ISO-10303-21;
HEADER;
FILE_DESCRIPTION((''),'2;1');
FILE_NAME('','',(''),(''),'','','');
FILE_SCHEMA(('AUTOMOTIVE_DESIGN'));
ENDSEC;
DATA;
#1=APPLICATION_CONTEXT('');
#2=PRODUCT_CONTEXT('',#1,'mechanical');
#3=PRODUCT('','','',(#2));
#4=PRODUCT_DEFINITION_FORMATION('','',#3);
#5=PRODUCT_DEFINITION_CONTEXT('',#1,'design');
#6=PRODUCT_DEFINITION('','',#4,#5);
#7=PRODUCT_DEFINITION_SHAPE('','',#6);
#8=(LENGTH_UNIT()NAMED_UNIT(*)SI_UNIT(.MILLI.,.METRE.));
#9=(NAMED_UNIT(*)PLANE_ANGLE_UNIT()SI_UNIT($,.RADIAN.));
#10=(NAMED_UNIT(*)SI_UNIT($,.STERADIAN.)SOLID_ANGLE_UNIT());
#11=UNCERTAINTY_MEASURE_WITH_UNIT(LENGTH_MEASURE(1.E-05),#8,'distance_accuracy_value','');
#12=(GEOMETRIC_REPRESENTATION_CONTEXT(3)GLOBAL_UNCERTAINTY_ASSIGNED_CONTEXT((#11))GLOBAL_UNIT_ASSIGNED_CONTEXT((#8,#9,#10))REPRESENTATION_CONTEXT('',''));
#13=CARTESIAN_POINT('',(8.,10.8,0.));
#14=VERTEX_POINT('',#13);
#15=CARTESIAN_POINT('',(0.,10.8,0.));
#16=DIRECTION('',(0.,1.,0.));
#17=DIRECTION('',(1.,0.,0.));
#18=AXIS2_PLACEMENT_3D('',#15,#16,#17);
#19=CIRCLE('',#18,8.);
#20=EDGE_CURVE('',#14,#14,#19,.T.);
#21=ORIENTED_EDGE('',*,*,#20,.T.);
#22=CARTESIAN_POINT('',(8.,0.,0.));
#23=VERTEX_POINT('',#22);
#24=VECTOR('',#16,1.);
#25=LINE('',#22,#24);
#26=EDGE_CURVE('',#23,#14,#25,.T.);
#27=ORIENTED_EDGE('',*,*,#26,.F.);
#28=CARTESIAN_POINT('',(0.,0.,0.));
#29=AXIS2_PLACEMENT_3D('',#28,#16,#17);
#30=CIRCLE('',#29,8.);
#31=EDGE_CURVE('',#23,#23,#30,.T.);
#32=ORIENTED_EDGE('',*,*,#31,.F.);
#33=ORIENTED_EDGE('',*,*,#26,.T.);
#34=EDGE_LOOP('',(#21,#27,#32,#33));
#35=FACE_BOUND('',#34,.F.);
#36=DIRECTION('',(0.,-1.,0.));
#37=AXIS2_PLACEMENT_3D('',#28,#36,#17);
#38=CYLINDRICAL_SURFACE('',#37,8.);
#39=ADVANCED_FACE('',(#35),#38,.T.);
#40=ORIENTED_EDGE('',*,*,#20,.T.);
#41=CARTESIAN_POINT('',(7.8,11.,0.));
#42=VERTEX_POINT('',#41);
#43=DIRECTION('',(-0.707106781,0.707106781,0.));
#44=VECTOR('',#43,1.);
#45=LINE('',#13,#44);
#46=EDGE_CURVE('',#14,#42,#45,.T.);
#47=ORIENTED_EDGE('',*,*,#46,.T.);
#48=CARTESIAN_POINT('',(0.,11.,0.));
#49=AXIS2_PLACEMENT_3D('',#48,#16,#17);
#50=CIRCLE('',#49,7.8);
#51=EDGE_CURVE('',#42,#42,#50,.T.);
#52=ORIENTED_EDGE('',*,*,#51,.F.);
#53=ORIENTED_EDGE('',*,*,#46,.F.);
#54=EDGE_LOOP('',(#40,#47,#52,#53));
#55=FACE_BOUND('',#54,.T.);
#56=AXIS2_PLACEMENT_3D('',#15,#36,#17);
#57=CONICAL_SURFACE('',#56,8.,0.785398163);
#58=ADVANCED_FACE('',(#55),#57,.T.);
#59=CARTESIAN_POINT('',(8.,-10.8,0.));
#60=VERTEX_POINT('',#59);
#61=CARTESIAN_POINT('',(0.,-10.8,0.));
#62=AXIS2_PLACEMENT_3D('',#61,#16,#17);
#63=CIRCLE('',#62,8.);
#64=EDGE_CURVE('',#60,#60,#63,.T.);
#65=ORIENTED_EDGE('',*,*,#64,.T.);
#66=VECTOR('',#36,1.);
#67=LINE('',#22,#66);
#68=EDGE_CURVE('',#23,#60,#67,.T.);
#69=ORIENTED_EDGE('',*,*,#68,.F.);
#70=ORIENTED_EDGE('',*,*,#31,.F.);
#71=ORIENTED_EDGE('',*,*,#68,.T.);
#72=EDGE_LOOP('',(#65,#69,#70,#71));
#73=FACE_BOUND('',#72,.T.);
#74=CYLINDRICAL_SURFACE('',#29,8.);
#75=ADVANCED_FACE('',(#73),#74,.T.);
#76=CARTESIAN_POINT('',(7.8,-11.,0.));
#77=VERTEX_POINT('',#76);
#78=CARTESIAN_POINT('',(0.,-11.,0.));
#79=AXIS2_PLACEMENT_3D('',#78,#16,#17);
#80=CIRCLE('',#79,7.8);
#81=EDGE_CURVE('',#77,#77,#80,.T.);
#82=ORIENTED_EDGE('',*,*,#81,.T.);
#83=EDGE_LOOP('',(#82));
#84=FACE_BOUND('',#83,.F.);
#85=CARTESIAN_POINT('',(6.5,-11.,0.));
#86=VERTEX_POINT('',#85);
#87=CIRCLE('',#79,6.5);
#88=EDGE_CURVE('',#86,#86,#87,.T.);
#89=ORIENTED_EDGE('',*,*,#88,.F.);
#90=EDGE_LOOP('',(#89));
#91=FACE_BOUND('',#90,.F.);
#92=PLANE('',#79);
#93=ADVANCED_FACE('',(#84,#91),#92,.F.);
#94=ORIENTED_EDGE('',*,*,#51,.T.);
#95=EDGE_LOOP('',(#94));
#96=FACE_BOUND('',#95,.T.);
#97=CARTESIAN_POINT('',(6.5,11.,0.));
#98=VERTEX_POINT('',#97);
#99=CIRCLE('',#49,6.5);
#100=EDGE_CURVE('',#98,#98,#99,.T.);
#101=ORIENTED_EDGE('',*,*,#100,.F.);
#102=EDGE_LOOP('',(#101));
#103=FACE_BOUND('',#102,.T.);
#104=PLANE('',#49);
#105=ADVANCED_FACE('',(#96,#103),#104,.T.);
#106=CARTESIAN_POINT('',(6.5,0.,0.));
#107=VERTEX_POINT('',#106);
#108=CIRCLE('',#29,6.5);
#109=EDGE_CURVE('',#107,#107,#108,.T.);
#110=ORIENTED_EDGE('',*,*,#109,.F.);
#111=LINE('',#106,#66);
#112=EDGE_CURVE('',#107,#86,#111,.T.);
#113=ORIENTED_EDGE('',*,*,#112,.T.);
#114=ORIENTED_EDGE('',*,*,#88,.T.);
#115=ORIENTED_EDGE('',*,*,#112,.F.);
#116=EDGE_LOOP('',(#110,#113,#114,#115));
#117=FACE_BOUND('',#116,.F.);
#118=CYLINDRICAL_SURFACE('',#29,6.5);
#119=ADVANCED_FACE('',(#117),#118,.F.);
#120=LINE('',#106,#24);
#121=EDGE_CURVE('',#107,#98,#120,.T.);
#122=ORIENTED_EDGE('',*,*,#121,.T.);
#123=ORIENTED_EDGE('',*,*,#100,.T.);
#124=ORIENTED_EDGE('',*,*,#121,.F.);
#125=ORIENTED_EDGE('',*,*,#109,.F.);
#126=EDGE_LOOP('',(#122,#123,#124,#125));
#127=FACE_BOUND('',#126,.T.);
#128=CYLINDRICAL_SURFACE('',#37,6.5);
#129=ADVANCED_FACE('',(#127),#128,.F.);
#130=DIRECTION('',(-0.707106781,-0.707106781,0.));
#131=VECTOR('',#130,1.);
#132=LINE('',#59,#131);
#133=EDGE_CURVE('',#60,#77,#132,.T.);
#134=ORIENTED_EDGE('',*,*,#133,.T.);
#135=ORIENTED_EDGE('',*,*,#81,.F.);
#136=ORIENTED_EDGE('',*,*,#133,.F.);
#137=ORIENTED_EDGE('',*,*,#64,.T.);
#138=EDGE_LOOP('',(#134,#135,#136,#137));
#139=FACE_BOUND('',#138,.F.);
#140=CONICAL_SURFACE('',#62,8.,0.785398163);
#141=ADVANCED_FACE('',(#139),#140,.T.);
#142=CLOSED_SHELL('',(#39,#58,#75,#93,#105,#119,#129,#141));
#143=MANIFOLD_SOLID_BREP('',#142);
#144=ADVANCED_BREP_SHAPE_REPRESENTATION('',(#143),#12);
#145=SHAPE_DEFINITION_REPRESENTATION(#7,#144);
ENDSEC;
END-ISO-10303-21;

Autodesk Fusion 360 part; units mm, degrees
sketch "Sketch1" plane through (0, 0, 0) normal (0, 1, 0) x (1, 0, 0)
  circle A0 centre (0, 0) radius 8
  circle A1 centre (0, 0) radius 6.5
  dimension "d1" = 16
  dimension "d2" = 13
extrude "Extrude1" add sketch "Sketch1" along normal mid plane 22
chamfer "Chamfer1" distance 0.2 angle 45 2 edges at (-7.4586, 11, 2.8929) (-7.4586, -11, -2.8929)
